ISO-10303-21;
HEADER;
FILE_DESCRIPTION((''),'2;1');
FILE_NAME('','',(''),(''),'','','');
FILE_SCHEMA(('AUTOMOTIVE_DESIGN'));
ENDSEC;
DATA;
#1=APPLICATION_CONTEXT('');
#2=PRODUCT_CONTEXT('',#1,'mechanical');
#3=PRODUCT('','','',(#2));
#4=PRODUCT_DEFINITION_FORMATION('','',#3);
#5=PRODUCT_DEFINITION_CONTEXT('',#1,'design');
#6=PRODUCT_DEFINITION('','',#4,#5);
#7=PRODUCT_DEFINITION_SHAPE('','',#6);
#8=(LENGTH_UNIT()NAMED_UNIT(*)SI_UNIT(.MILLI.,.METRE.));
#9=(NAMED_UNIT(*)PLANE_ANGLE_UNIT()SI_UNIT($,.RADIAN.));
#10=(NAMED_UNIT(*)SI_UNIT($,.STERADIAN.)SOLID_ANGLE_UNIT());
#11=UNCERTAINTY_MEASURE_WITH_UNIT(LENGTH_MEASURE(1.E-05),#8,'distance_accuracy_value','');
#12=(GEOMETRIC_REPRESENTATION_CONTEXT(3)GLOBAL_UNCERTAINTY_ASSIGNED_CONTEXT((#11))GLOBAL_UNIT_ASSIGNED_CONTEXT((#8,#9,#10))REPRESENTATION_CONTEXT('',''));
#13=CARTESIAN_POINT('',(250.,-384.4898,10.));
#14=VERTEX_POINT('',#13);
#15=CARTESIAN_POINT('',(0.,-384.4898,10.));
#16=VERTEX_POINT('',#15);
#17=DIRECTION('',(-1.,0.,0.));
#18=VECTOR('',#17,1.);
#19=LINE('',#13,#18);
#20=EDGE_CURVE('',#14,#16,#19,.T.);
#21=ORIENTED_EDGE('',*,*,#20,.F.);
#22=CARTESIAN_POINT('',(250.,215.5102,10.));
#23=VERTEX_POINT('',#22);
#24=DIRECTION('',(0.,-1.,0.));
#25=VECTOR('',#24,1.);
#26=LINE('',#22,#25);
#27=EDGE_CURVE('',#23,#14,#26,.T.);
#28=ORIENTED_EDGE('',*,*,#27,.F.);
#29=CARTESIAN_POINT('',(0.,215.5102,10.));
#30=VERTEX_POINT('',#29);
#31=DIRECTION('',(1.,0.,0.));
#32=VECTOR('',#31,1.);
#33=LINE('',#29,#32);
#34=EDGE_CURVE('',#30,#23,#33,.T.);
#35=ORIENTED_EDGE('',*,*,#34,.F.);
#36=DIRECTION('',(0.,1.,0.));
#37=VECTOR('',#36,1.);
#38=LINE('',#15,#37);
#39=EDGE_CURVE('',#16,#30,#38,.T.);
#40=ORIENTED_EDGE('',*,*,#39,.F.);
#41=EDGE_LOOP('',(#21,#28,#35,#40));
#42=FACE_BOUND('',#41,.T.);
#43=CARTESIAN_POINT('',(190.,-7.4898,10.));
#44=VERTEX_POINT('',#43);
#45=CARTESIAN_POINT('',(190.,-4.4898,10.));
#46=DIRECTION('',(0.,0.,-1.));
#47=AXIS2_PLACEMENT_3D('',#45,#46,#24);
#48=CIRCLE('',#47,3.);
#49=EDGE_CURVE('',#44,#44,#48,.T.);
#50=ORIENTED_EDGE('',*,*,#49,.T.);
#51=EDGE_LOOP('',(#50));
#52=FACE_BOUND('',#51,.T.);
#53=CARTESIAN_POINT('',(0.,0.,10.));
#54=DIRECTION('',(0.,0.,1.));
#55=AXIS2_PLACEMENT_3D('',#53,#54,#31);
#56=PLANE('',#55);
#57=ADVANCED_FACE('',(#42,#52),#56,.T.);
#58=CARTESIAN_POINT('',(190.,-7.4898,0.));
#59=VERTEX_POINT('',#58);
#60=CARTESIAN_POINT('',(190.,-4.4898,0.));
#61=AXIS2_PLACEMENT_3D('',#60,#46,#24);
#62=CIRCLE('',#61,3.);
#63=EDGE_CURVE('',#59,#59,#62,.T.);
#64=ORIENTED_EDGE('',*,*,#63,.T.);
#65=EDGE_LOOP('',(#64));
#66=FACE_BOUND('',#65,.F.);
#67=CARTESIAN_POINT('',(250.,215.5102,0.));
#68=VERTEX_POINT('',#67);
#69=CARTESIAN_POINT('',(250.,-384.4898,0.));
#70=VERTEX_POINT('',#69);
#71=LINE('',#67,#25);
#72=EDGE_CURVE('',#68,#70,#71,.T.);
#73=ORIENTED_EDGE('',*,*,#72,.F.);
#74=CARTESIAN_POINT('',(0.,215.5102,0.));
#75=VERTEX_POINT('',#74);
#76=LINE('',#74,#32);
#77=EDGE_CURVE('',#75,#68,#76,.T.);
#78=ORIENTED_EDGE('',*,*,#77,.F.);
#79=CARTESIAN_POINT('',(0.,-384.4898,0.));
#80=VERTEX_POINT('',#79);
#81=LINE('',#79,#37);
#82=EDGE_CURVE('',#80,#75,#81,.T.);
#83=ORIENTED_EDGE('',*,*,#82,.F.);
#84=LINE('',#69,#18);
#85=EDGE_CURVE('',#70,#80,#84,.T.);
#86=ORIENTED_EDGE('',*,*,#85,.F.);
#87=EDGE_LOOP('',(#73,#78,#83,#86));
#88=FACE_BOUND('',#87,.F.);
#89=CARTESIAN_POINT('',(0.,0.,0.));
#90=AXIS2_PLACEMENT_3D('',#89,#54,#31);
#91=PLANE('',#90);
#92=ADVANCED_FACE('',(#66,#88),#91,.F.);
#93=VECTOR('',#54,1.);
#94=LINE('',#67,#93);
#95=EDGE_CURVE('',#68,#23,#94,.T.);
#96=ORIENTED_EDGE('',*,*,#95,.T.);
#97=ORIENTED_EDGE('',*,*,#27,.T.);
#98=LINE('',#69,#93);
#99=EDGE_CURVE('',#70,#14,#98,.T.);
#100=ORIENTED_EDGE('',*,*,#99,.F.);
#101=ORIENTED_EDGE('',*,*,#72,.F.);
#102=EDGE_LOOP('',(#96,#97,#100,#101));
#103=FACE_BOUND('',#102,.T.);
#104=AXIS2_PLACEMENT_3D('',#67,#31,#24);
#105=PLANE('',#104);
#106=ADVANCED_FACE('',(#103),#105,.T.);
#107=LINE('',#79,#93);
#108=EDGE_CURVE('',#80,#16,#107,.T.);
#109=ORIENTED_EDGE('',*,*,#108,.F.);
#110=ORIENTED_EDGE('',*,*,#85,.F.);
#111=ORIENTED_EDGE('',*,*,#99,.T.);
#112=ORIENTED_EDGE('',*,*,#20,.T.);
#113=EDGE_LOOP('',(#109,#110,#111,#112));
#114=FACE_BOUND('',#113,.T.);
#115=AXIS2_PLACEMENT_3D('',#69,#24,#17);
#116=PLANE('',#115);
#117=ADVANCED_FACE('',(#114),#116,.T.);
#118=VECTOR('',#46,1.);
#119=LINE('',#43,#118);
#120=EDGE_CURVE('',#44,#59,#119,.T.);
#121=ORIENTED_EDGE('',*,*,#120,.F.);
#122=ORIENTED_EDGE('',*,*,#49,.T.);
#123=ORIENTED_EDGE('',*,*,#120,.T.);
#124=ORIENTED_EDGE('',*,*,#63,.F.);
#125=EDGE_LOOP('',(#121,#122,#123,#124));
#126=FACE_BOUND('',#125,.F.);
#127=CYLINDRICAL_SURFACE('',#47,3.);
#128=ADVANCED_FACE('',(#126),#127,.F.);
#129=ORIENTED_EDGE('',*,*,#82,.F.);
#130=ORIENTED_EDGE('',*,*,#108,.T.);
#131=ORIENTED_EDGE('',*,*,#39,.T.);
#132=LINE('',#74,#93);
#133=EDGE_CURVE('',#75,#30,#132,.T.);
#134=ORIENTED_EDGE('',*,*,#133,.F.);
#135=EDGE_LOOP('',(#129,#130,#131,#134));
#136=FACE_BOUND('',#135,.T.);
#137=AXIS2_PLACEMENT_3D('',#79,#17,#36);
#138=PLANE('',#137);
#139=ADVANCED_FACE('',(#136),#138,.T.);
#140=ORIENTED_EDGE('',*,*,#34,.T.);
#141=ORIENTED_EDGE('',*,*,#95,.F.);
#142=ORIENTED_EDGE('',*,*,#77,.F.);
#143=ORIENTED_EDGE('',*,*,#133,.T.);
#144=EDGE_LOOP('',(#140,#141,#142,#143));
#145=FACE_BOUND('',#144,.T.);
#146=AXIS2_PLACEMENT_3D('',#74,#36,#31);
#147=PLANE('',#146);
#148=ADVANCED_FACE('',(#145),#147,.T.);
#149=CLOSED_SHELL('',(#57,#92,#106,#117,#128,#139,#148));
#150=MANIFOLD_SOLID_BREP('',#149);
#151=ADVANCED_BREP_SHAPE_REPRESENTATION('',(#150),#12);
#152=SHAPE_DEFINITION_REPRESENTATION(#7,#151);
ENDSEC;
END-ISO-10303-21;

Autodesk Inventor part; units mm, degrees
ref_plane "YZ Plane" through (0, 0, 0) normal (1, 0, 0) x (0, 1, 0)
ref_plane "XZ Plane" through (0, 0, 0) normal (0, 1, 0) x (-1, 0, 0)
ref_plane "XY Plane" through (0, 0, 0) normal (0, 0, 1) x (1, 0, 0)
sketch "Skizze1" plane through (0, 0, 0) normal (0, 0, 1) x (1, 0, 0)
  line L0 (0, 215.5102) -> (250, 215.5102)
  line L1 (250, 215.5102) -> (250, -384.4898)
  line L2 (250, -384.4898) -> (0, -384.4898)
  line L3 (0, -384.4898) -> (0, 215.5102)
  point P0 (0, 0)
  point P1 (190, -4.4898)
  dimension "d0" = 250
  dimension "d2" = 600
  dimension "d3" = 60
  dimension "d4" = 220
extrude "Extrusion1" add sketch "Skizze1" along normal blind 10
hole "Bohrung1" at (190, -4.4898, 10) direction (0, 0, -1) diameter 6 end through all
properties part number "Wand rechts_CPY"
